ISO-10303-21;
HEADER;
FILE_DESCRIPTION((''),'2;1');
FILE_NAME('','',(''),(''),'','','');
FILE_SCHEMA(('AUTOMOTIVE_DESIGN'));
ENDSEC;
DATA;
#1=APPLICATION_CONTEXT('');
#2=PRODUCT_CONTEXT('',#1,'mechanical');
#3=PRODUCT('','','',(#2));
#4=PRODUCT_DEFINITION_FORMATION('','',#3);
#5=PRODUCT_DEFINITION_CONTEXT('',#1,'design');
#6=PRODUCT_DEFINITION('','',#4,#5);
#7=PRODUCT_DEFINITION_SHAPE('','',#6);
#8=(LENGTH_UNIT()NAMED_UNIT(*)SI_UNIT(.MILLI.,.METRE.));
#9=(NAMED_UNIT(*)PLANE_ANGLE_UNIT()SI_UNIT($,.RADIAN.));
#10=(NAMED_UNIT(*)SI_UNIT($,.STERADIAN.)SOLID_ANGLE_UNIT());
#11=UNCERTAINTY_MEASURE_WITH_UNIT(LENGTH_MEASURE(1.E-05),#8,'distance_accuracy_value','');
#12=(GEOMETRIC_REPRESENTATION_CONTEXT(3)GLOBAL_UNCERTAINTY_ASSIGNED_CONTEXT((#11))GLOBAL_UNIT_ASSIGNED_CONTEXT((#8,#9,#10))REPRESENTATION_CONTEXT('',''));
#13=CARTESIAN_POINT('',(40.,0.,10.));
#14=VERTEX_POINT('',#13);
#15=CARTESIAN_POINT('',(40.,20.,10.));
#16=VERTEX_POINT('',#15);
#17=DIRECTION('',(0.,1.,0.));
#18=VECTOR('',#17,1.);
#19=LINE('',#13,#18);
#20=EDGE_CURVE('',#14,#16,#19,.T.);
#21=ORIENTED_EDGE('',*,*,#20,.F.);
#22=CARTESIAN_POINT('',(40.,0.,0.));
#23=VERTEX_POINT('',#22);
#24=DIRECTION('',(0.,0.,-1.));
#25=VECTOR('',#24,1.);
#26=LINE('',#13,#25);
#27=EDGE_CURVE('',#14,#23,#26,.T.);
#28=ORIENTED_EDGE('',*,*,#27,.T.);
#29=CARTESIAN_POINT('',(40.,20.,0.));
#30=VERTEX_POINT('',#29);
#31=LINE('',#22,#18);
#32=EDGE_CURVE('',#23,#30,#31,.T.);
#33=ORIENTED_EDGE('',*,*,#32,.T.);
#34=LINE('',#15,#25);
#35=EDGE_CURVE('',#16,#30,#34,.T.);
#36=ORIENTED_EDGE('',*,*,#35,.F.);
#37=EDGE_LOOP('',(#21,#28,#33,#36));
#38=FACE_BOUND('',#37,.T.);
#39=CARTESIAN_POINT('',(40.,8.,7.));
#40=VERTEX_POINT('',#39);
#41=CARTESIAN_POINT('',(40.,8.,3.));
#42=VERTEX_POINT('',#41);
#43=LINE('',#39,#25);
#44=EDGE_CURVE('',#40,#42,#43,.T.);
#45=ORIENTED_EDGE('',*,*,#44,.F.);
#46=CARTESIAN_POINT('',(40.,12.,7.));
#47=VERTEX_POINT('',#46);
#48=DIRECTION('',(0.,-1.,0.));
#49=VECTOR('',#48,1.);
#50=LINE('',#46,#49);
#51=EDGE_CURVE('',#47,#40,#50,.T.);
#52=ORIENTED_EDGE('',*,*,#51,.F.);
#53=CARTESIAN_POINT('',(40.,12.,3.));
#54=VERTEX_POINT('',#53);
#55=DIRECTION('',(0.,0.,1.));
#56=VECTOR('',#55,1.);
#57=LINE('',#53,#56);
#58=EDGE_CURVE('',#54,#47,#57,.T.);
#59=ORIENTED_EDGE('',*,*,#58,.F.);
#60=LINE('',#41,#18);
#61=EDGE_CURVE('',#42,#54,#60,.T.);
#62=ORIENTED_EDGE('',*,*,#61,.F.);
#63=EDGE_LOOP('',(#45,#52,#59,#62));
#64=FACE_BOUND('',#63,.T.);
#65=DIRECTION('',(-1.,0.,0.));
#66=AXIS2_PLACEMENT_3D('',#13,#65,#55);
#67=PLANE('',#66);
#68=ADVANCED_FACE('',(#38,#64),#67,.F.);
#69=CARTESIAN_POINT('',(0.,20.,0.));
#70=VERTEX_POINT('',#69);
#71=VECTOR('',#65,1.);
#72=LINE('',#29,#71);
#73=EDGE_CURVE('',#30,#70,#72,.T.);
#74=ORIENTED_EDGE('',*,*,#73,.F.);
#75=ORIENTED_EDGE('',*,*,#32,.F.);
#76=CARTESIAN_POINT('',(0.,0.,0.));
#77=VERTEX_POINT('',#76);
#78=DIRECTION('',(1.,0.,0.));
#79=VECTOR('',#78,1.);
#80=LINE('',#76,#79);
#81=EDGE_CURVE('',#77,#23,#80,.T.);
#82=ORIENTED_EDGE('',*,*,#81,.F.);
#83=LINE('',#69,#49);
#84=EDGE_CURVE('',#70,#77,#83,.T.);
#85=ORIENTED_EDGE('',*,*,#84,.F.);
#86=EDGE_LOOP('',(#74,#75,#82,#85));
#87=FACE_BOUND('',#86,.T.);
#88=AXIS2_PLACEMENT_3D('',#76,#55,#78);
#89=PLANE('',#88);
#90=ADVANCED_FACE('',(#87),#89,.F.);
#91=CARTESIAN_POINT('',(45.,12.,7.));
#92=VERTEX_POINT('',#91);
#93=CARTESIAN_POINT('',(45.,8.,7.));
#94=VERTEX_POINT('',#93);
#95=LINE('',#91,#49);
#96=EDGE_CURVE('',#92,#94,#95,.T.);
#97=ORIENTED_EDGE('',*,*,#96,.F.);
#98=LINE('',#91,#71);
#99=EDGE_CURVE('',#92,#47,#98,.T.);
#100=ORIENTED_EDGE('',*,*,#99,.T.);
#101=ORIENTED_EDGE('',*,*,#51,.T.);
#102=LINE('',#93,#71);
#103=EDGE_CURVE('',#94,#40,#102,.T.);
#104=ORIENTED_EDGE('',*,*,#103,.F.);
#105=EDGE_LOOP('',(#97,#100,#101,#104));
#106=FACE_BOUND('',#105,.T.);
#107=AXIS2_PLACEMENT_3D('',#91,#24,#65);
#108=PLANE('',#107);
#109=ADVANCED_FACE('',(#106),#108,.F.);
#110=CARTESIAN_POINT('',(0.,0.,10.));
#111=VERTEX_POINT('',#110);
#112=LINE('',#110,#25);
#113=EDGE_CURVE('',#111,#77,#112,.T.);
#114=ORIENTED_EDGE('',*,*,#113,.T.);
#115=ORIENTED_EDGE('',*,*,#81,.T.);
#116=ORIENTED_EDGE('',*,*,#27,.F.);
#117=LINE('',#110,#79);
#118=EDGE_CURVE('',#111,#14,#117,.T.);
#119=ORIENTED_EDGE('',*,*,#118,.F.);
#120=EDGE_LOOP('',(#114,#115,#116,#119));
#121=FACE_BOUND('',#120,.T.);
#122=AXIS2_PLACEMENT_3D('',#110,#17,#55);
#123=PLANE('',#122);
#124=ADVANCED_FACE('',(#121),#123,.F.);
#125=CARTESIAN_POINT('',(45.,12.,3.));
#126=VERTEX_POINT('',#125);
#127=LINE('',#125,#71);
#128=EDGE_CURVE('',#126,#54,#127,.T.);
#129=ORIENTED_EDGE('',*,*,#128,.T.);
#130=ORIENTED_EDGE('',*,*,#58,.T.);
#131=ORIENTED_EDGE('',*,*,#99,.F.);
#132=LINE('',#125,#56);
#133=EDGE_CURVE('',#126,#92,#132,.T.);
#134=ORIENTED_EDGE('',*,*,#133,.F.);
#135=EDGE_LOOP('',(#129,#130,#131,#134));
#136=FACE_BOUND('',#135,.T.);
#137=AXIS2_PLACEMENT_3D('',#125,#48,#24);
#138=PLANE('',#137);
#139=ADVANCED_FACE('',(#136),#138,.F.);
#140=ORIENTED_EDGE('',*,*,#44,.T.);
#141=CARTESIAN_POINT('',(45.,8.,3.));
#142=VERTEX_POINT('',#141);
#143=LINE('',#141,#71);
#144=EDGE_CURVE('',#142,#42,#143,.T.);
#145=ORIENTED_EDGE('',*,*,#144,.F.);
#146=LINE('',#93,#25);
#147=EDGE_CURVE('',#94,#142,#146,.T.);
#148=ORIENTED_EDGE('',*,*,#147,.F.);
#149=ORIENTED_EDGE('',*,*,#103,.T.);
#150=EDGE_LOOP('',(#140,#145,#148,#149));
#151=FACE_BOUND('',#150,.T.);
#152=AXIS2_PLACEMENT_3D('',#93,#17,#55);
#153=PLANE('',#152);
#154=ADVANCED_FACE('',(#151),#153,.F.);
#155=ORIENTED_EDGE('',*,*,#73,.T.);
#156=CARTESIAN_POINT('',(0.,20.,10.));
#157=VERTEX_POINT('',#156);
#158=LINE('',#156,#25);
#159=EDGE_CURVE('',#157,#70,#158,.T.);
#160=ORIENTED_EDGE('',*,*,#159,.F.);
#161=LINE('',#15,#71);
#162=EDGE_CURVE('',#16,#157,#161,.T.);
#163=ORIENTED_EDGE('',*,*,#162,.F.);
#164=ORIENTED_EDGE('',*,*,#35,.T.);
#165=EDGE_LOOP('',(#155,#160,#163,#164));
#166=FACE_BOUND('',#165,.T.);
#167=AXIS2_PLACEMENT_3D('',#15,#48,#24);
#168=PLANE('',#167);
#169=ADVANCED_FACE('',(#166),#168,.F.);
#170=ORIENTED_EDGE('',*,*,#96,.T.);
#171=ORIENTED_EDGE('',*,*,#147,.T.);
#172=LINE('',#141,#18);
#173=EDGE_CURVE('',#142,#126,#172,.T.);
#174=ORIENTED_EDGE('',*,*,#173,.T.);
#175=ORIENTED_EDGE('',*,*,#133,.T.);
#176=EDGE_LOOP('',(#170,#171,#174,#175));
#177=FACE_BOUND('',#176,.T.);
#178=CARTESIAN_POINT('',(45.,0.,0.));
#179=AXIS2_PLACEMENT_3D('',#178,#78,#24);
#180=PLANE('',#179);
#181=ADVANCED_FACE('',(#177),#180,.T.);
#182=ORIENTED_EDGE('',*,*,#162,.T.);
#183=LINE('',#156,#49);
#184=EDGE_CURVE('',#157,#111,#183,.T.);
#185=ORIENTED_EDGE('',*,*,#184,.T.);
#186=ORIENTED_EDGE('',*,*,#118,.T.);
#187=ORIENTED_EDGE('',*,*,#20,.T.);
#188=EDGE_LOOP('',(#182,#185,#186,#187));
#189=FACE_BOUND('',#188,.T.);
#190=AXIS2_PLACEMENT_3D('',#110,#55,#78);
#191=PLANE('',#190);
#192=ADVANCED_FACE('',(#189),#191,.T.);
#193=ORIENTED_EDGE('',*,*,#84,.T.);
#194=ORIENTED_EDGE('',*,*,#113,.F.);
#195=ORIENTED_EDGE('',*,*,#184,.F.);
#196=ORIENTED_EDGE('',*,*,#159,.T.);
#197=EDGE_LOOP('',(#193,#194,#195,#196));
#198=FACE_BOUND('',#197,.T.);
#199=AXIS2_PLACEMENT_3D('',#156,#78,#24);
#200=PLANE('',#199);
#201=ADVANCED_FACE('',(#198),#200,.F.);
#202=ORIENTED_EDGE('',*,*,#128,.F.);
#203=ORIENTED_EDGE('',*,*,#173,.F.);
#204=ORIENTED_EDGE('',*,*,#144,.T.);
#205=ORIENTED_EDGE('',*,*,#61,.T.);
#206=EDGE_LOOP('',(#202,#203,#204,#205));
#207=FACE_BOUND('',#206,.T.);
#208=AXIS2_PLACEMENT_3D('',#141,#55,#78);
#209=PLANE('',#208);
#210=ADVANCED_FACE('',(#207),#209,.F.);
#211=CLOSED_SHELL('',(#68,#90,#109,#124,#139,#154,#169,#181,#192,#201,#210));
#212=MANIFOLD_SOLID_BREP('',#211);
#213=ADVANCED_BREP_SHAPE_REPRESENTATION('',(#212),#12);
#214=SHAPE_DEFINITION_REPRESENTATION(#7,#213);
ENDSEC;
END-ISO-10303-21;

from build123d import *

# Parameters (mm, degrees)
SKETCH1_W           = 40
SKETCH1_H           = 20
BOSS_EXTRUDE1_DEPTH = 10
SKETCH2_W           = 4
SKETCH2_H           = 4
BOSS_EXTRUDE2_DEPTH = 5


with BuildPart() as part:
    # Sketch1 → Boss-Extrude1 (new body)
    with BuildSketch(Plane.XY):
        with Locations((20, 10)):
            Rectangle(SKETCH1_W, SKETCH1_H)
    extrude(amount=BOSS_EXTRUDE1_DEPTH)

    # Sketch2 → Boss-Extrude2 (add)
    with BuildSketch(Plane(origin=(40, 0, 0), x_dir=(0, 0, -1), z_dir=(1, 0, 0))):
        with Locations((-5, 10)):
            Rectangle(SKETCH2_W, SKETCH2_H)
    extrude(amount=BOSS_EXTRUDE2_DEPTH)


solid = part.part
